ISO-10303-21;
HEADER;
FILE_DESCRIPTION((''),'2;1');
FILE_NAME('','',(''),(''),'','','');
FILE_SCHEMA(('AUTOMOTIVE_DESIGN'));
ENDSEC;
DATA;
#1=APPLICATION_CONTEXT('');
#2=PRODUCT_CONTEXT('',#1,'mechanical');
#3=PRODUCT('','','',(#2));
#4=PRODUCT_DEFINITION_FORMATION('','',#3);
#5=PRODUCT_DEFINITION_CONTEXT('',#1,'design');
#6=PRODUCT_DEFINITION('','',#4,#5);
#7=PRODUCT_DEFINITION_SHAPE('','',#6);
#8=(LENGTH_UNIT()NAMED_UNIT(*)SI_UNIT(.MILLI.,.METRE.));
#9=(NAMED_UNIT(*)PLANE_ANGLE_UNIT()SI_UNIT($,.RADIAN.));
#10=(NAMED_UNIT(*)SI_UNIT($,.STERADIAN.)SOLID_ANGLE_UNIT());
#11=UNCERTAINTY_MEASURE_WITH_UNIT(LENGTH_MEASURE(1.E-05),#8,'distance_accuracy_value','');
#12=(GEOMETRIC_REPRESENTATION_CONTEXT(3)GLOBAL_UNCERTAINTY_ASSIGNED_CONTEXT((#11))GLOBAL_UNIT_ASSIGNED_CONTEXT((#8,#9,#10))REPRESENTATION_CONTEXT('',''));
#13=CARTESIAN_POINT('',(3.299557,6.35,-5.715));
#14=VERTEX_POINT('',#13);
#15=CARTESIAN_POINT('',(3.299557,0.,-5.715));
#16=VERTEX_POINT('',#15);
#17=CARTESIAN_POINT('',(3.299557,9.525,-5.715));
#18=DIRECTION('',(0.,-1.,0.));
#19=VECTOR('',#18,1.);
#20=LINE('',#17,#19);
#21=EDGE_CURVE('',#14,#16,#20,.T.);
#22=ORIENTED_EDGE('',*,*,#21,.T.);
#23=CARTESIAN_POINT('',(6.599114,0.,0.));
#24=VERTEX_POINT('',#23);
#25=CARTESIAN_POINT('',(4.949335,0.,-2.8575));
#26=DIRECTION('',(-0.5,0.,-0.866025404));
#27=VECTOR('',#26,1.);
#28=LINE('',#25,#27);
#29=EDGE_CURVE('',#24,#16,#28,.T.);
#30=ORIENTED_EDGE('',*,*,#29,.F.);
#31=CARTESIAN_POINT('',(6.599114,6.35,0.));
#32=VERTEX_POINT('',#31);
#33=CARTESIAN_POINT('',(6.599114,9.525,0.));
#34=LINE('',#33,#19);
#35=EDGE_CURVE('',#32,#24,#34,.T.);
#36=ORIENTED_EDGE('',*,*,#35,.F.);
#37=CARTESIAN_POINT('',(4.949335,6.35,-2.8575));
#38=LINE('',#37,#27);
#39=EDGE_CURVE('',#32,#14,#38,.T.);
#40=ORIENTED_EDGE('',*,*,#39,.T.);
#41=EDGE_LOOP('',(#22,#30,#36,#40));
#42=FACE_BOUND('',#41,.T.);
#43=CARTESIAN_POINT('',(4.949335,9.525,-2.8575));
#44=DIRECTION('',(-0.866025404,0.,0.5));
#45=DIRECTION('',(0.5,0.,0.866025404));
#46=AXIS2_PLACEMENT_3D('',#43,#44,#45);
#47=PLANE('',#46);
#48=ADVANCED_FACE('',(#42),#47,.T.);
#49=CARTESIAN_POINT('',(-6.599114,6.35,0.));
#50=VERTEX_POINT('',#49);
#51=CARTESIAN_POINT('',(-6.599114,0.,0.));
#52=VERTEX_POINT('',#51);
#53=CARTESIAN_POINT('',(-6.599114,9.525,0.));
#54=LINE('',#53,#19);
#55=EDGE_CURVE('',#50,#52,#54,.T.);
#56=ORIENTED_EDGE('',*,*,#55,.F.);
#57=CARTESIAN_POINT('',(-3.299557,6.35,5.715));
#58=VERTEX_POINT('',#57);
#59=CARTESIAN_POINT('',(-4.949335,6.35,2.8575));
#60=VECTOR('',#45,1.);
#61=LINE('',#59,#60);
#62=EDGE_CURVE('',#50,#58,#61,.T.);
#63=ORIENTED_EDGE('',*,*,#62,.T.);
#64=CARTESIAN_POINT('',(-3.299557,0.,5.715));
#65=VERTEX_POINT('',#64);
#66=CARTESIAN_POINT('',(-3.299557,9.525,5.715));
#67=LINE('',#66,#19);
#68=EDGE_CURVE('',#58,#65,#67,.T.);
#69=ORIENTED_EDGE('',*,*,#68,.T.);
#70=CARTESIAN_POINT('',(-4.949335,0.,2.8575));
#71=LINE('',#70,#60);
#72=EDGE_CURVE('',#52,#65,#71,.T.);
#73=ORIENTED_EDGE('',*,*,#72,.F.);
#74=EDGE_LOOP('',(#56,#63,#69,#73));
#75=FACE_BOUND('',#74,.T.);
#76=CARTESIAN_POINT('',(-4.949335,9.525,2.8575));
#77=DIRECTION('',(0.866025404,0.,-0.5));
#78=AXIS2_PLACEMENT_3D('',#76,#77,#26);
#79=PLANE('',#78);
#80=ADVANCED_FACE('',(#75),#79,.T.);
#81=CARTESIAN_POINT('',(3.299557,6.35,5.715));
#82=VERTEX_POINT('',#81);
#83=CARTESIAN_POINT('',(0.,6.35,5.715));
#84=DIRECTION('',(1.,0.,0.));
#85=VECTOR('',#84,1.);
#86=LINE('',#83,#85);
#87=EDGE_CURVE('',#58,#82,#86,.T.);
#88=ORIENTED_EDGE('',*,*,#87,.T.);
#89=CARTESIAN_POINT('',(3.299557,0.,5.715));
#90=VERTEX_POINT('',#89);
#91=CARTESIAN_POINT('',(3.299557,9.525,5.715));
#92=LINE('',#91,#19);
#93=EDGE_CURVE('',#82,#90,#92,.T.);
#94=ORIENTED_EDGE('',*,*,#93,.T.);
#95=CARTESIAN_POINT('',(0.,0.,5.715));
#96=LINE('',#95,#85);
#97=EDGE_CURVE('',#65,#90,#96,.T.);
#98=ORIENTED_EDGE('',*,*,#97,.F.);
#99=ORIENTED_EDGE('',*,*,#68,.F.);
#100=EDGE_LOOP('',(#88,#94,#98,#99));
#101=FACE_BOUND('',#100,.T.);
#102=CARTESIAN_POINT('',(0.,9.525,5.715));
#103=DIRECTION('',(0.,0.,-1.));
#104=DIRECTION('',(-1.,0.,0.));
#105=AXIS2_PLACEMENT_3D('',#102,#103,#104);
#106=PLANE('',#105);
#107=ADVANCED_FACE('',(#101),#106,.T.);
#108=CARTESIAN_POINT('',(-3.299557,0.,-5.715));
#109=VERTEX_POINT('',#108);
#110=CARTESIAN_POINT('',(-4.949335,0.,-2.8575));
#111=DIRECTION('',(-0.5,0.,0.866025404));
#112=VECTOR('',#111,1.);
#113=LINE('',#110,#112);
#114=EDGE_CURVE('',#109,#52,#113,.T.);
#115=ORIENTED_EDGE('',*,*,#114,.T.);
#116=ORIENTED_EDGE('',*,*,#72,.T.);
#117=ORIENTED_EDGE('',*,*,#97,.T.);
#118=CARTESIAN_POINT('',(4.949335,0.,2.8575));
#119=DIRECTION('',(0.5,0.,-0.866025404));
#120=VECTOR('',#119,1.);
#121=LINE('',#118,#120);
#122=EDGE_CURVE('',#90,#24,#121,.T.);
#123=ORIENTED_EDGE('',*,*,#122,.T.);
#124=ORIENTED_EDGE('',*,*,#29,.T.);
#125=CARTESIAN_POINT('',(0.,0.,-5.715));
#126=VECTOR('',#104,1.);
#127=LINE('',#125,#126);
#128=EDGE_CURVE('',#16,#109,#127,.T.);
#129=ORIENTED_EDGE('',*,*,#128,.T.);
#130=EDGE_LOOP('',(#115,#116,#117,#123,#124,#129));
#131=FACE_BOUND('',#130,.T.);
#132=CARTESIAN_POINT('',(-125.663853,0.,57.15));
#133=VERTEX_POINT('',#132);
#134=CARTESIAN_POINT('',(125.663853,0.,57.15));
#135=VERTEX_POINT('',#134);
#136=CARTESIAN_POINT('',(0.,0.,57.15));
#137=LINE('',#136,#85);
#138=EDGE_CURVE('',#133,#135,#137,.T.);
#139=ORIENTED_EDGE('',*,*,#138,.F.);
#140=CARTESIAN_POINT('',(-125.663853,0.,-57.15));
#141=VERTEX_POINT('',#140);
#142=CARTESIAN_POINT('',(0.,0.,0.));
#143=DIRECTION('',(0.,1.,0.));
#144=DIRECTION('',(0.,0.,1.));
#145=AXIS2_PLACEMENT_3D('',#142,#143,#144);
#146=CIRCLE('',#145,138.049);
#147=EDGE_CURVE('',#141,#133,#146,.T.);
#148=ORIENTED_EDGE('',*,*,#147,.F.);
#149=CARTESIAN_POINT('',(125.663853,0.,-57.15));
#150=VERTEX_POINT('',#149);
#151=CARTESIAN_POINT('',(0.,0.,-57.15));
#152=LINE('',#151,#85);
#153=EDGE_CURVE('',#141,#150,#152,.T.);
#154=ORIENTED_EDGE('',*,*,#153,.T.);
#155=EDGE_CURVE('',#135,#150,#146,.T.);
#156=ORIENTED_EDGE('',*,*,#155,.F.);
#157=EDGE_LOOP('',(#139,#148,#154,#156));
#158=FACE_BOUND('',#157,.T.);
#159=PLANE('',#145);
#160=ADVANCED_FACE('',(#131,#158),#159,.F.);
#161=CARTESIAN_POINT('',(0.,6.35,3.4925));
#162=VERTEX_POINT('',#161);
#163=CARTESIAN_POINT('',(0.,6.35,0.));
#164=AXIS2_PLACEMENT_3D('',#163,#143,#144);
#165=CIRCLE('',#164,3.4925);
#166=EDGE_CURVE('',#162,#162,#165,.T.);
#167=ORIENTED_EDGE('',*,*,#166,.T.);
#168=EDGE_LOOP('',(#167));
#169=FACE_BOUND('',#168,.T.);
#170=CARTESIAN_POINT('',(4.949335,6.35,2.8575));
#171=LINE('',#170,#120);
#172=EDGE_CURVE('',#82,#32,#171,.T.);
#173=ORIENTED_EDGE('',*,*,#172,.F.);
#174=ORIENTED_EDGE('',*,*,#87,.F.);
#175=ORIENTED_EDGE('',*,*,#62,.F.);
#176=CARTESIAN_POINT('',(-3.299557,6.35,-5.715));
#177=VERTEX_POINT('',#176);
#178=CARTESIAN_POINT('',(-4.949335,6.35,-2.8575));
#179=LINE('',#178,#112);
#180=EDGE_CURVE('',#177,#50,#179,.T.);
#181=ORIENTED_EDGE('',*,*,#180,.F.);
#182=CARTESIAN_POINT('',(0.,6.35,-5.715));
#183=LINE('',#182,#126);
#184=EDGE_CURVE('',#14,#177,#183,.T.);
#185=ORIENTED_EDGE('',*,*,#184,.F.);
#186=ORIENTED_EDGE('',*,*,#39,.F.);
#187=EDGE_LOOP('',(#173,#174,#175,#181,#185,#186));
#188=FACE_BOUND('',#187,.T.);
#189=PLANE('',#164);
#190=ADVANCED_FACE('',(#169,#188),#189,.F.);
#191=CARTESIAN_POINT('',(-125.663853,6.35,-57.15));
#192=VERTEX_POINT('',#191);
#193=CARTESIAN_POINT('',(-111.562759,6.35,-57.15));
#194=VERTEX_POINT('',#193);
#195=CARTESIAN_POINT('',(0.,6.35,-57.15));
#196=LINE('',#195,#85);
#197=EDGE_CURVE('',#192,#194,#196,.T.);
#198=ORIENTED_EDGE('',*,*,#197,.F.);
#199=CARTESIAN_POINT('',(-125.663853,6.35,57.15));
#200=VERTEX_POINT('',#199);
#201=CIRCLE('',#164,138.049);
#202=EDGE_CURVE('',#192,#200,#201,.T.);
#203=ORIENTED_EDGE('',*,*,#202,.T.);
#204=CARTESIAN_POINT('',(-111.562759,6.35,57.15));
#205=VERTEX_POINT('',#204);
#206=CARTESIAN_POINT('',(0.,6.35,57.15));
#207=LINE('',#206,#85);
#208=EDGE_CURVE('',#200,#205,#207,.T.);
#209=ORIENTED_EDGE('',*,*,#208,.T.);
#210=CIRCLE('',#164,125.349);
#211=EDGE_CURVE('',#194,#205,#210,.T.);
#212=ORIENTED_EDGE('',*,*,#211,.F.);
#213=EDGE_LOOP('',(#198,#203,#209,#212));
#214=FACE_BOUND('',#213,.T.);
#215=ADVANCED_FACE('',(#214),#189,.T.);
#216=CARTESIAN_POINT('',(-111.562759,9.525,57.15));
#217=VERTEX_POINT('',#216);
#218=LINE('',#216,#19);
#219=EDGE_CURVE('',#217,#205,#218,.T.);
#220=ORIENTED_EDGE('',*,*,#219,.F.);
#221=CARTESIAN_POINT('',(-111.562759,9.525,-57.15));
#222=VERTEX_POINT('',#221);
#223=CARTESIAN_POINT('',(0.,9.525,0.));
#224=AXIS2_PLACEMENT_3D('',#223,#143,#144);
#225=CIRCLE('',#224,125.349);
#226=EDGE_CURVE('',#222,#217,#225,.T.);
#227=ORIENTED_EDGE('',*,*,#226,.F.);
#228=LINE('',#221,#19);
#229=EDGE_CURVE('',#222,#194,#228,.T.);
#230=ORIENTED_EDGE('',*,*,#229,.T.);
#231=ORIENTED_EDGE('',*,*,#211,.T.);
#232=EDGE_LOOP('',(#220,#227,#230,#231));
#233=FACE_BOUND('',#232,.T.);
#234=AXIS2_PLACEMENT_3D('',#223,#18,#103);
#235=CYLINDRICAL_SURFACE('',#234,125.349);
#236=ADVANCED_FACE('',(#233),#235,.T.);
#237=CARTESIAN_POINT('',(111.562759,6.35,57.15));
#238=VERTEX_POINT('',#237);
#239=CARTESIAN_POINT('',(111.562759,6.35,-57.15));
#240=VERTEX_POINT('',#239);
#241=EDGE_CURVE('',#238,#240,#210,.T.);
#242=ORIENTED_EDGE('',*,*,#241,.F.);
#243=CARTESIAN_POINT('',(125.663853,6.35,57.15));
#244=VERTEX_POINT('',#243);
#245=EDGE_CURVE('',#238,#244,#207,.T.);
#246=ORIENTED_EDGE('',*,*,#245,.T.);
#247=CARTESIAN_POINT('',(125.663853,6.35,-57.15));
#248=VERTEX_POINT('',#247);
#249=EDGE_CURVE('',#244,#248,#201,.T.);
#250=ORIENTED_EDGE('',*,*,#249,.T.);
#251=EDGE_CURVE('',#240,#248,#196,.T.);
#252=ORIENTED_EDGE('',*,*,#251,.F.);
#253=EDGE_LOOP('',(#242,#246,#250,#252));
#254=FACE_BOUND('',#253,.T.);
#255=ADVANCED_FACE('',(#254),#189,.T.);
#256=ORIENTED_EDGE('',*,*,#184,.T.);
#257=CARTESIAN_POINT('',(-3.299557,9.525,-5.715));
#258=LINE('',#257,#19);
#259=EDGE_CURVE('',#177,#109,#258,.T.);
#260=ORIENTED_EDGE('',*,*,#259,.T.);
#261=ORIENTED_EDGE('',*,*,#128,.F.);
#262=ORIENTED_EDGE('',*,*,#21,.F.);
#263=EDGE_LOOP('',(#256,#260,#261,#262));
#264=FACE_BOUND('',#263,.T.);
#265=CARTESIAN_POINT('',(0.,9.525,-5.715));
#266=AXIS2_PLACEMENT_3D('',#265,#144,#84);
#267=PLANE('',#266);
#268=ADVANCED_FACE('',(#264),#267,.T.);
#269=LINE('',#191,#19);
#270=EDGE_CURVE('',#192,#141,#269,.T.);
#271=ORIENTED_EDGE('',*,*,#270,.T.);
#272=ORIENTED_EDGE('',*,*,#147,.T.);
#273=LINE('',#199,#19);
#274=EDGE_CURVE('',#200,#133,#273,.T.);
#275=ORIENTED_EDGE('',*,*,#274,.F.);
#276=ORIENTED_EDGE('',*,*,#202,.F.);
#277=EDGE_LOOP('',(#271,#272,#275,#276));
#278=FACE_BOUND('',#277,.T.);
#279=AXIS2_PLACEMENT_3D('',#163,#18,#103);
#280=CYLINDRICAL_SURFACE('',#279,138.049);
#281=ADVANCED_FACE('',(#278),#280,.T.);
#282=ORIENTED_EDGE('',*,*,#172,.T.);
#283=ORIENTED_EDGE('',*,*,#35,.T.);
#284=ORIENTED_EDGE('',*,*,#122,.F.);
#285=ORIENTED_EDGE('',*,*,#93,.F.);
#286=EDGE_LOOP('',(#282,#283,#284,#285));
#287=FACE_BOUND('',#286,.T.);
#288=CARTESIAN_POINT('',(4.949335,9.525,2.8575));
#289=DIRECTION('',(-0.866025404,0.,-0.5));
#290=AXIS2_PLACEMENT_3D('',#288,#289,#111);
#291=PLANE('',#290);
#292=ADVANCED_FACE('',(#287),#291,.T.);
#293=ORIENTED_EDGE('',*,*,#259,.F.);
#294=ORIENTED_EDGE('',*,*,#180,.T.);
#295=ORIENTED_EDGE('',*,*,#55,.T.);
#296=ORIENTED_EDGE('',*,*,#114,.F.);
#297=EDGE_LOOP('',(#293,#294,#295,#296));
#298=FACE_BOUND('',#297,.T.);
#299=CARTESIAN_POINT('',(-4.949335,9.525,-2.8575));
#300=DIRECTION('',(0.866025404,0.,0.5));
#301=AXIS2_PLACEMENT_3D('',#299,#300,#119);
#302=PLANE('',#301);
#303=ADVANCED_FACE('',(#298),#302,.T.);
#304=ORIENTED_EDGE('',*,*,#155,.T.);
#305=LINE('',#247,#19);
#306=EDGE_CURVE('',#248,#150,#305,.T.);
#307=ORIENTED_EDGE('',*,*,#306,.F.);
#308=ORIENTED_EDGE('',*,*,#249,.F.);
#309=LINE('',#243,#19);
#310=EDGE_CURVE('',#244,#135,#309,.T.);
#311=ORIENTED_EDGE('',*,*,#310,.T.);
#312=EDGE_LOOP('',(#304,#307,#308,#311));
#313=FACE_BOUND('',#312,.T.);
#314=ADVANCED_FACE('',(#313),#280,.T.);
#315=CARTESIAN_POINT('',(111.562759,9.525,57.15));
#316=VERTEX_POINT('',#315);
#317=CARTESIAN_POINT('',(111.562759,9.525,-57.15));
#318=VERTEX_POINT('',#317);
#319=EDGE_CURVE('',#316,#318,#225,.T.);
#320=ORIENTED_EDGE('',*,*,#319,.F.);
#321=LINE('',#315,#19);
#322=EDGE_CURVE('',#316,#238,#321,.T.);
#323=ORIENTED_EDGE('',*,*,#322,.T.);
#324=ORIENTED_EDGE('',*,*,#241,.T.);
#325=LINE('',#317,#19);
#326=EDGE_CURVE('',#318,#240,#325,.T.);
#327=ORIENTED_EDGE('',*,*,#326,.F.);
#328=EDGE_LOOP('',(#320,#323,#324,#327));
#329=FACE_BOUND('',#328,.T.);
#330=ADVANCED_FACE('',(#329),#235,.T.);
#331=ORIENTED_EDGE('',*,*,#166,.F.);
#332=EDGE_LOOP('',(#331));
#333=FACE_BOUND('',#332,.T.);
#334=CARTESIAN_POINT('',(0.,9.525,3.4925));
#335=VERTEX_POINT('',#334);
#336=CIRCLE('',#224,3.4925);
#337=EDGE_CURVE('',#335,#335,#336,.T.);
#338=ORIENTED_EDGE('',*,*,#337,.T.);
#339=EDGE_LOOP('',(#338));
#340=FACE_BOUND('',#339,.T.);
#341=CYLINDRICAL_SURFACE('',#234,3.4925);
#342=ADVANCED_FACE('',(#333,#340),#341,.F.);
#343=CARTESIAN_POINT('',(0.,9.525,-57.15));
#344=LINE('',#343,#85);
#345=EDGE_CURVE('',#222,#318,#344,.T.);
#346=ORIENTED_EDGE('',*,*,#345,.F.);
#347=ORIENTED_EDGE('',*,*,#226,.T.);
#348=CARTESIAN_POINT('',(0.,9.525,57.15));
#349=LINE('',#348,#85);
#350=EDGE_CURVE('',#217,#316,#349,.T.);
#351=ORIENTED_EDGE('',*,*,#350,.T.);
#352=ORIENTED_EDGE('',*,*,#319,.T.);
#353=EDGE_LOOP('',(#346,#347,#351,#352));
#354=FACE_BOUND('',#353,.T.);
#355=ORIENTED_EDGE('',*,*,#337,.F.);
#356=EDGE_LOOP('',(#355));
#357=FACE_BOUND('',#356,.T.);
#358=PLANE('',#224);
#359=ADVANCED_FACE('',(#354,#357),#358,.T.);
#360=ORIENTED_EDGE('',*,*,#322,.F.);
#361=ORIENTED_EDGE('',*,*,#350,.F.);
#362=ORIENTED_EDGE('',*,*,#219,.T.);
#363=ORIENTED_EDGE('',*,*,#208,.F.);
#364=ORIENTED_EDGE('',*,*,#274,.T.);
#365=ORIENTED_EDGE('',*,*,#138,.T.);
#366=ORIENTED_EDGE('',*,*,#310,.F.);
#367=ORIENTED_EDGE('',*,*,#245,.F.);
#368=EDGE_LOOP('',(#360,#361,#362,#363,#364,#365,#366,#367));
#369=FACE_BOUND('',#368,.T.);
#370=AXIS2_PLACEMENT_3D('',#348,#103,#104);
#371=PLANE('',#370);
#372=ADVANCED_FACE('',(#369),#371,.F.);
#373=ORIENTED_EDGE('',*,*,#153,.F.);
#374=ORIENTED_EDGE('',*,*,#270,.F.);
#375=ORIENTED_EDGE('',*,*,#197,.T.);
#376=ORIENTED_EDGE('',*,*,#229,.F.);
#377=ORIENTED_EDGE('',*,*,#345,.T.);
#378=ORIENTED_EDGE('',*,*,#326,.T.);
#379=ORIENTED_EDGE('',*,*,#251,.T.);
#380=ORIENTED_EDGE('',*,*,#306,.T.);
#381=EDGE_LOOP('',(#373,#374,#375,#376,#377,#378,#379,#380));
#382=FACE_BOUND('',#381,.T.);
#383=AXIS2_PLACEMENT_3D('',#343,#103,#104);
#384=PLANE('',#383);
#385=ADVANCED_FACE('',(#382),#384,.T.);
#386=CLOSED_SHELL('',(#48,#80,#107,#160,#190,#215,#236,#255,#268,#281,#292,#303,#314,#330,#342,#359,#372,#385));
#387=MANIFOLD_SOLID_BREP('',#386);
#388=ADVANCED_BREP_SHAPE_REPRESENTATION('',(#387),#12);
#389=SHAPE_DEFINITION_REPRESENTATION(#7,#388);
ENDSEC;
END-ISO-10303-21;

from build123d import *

# Parameters (mm, degrees)
BOSS_EXTRUDE1_DEPTH = 9.525
BOSS_EXTRUDE2_DEPTH = 6.35
BOSS_EXTRUDE3_START = 6.35
SKETCH1_4_R         = 3.4925
BOSS_EXTRUDE3_DEPTH = 3.175


with BuildPart() as part:
    # Sketch1 → Boss-Extrude1 (new body)
    with BuildSketch(Plane(origin=(0, 0, 0), x_dir=(1, 0, 0), z_dir=(0, 1, 0))):
        with BuildLine():
            Line((111.562759472, 57.15), (-111.562759472, 57.15))
            ThreePointArc((-111.562759472, 57.15), (-125.349, 0), (-111.562759472, -57.15))
            Line((-111.562759472, -57.15), (111.562759472, -57.15))
            ThreePointArc((111.562759472, -57.15), (125.349, 0), (111.562759472, 57.15))
        make_face()
        Polygon((-3.299556788, -5.715), (-6.599113577, 0), (-3.299556788, 5.715), (3.299556788, 5.715), (6.599113577, 0), (3.299556788, -5.715), align=None, mode=Mode.SUBTRACT)
    extrude(amount=BOSS_EXTRUDE1_DEPTH)

    # Sketch1<3> → Boss-Extrude2 (add)
    with BuildSketch(Plane(origin=(0, 0, 0), x_dir=(1, 0, 0), z_dir=(0, 1, 0))):
        with BuildLine():
            Line((-111.562759472, 57.15), (-125.663852802, 57.15))
            ThreePointArc((-125.663852802, 57.15), (-138.049, 0), (-125.663852802, -57.15))
            Line((-125.663852802, -57.15), (-111.562759472, -57.15))
            ThreePointArc((-111.562759472, -57.15), (-125.349, 0), (-111.562759472, 57.15))
        make_face()
        with BuildLine():
            Line((125.663852802, 57.15), (111.562759472, 57.15))
            ThreePointArc((111.562759472, 57.15), (125.349, 0), (111.562759472, -57.15))
            Line((111.562759472, -57.15), (125.663852802, -57.15))
            ThreePointArc((125.663852802, -57.15), (138.049, 0), (125.663852802, 57.15))
        make_face()
    extrude(amount=BOSS_EXTRUDE2_DEPTH)

    # Sketch1<4> → Boss-Extrude3 (add)
    with BuildSketch(Plane(origin=(0, 0, 0), x_dir=(1, 0, 0), z_dir=(0, 1, 0)).offset(BOSS_EXTRUDE3_START)):
        Polygon((-3.299556788, 5.715), (-6.599113577, 0), (-3.299556788, -5.715), (3.299556788, -5.715), (6.599113577, 0), (3.299556788, 5.715), align=None)
        Circle(SKETCH1_4_R, mode=Mode.SUBTRACT)
    extrude(amount=BOSS_EXTRUDE3_DEPTH)


solid = part.part
